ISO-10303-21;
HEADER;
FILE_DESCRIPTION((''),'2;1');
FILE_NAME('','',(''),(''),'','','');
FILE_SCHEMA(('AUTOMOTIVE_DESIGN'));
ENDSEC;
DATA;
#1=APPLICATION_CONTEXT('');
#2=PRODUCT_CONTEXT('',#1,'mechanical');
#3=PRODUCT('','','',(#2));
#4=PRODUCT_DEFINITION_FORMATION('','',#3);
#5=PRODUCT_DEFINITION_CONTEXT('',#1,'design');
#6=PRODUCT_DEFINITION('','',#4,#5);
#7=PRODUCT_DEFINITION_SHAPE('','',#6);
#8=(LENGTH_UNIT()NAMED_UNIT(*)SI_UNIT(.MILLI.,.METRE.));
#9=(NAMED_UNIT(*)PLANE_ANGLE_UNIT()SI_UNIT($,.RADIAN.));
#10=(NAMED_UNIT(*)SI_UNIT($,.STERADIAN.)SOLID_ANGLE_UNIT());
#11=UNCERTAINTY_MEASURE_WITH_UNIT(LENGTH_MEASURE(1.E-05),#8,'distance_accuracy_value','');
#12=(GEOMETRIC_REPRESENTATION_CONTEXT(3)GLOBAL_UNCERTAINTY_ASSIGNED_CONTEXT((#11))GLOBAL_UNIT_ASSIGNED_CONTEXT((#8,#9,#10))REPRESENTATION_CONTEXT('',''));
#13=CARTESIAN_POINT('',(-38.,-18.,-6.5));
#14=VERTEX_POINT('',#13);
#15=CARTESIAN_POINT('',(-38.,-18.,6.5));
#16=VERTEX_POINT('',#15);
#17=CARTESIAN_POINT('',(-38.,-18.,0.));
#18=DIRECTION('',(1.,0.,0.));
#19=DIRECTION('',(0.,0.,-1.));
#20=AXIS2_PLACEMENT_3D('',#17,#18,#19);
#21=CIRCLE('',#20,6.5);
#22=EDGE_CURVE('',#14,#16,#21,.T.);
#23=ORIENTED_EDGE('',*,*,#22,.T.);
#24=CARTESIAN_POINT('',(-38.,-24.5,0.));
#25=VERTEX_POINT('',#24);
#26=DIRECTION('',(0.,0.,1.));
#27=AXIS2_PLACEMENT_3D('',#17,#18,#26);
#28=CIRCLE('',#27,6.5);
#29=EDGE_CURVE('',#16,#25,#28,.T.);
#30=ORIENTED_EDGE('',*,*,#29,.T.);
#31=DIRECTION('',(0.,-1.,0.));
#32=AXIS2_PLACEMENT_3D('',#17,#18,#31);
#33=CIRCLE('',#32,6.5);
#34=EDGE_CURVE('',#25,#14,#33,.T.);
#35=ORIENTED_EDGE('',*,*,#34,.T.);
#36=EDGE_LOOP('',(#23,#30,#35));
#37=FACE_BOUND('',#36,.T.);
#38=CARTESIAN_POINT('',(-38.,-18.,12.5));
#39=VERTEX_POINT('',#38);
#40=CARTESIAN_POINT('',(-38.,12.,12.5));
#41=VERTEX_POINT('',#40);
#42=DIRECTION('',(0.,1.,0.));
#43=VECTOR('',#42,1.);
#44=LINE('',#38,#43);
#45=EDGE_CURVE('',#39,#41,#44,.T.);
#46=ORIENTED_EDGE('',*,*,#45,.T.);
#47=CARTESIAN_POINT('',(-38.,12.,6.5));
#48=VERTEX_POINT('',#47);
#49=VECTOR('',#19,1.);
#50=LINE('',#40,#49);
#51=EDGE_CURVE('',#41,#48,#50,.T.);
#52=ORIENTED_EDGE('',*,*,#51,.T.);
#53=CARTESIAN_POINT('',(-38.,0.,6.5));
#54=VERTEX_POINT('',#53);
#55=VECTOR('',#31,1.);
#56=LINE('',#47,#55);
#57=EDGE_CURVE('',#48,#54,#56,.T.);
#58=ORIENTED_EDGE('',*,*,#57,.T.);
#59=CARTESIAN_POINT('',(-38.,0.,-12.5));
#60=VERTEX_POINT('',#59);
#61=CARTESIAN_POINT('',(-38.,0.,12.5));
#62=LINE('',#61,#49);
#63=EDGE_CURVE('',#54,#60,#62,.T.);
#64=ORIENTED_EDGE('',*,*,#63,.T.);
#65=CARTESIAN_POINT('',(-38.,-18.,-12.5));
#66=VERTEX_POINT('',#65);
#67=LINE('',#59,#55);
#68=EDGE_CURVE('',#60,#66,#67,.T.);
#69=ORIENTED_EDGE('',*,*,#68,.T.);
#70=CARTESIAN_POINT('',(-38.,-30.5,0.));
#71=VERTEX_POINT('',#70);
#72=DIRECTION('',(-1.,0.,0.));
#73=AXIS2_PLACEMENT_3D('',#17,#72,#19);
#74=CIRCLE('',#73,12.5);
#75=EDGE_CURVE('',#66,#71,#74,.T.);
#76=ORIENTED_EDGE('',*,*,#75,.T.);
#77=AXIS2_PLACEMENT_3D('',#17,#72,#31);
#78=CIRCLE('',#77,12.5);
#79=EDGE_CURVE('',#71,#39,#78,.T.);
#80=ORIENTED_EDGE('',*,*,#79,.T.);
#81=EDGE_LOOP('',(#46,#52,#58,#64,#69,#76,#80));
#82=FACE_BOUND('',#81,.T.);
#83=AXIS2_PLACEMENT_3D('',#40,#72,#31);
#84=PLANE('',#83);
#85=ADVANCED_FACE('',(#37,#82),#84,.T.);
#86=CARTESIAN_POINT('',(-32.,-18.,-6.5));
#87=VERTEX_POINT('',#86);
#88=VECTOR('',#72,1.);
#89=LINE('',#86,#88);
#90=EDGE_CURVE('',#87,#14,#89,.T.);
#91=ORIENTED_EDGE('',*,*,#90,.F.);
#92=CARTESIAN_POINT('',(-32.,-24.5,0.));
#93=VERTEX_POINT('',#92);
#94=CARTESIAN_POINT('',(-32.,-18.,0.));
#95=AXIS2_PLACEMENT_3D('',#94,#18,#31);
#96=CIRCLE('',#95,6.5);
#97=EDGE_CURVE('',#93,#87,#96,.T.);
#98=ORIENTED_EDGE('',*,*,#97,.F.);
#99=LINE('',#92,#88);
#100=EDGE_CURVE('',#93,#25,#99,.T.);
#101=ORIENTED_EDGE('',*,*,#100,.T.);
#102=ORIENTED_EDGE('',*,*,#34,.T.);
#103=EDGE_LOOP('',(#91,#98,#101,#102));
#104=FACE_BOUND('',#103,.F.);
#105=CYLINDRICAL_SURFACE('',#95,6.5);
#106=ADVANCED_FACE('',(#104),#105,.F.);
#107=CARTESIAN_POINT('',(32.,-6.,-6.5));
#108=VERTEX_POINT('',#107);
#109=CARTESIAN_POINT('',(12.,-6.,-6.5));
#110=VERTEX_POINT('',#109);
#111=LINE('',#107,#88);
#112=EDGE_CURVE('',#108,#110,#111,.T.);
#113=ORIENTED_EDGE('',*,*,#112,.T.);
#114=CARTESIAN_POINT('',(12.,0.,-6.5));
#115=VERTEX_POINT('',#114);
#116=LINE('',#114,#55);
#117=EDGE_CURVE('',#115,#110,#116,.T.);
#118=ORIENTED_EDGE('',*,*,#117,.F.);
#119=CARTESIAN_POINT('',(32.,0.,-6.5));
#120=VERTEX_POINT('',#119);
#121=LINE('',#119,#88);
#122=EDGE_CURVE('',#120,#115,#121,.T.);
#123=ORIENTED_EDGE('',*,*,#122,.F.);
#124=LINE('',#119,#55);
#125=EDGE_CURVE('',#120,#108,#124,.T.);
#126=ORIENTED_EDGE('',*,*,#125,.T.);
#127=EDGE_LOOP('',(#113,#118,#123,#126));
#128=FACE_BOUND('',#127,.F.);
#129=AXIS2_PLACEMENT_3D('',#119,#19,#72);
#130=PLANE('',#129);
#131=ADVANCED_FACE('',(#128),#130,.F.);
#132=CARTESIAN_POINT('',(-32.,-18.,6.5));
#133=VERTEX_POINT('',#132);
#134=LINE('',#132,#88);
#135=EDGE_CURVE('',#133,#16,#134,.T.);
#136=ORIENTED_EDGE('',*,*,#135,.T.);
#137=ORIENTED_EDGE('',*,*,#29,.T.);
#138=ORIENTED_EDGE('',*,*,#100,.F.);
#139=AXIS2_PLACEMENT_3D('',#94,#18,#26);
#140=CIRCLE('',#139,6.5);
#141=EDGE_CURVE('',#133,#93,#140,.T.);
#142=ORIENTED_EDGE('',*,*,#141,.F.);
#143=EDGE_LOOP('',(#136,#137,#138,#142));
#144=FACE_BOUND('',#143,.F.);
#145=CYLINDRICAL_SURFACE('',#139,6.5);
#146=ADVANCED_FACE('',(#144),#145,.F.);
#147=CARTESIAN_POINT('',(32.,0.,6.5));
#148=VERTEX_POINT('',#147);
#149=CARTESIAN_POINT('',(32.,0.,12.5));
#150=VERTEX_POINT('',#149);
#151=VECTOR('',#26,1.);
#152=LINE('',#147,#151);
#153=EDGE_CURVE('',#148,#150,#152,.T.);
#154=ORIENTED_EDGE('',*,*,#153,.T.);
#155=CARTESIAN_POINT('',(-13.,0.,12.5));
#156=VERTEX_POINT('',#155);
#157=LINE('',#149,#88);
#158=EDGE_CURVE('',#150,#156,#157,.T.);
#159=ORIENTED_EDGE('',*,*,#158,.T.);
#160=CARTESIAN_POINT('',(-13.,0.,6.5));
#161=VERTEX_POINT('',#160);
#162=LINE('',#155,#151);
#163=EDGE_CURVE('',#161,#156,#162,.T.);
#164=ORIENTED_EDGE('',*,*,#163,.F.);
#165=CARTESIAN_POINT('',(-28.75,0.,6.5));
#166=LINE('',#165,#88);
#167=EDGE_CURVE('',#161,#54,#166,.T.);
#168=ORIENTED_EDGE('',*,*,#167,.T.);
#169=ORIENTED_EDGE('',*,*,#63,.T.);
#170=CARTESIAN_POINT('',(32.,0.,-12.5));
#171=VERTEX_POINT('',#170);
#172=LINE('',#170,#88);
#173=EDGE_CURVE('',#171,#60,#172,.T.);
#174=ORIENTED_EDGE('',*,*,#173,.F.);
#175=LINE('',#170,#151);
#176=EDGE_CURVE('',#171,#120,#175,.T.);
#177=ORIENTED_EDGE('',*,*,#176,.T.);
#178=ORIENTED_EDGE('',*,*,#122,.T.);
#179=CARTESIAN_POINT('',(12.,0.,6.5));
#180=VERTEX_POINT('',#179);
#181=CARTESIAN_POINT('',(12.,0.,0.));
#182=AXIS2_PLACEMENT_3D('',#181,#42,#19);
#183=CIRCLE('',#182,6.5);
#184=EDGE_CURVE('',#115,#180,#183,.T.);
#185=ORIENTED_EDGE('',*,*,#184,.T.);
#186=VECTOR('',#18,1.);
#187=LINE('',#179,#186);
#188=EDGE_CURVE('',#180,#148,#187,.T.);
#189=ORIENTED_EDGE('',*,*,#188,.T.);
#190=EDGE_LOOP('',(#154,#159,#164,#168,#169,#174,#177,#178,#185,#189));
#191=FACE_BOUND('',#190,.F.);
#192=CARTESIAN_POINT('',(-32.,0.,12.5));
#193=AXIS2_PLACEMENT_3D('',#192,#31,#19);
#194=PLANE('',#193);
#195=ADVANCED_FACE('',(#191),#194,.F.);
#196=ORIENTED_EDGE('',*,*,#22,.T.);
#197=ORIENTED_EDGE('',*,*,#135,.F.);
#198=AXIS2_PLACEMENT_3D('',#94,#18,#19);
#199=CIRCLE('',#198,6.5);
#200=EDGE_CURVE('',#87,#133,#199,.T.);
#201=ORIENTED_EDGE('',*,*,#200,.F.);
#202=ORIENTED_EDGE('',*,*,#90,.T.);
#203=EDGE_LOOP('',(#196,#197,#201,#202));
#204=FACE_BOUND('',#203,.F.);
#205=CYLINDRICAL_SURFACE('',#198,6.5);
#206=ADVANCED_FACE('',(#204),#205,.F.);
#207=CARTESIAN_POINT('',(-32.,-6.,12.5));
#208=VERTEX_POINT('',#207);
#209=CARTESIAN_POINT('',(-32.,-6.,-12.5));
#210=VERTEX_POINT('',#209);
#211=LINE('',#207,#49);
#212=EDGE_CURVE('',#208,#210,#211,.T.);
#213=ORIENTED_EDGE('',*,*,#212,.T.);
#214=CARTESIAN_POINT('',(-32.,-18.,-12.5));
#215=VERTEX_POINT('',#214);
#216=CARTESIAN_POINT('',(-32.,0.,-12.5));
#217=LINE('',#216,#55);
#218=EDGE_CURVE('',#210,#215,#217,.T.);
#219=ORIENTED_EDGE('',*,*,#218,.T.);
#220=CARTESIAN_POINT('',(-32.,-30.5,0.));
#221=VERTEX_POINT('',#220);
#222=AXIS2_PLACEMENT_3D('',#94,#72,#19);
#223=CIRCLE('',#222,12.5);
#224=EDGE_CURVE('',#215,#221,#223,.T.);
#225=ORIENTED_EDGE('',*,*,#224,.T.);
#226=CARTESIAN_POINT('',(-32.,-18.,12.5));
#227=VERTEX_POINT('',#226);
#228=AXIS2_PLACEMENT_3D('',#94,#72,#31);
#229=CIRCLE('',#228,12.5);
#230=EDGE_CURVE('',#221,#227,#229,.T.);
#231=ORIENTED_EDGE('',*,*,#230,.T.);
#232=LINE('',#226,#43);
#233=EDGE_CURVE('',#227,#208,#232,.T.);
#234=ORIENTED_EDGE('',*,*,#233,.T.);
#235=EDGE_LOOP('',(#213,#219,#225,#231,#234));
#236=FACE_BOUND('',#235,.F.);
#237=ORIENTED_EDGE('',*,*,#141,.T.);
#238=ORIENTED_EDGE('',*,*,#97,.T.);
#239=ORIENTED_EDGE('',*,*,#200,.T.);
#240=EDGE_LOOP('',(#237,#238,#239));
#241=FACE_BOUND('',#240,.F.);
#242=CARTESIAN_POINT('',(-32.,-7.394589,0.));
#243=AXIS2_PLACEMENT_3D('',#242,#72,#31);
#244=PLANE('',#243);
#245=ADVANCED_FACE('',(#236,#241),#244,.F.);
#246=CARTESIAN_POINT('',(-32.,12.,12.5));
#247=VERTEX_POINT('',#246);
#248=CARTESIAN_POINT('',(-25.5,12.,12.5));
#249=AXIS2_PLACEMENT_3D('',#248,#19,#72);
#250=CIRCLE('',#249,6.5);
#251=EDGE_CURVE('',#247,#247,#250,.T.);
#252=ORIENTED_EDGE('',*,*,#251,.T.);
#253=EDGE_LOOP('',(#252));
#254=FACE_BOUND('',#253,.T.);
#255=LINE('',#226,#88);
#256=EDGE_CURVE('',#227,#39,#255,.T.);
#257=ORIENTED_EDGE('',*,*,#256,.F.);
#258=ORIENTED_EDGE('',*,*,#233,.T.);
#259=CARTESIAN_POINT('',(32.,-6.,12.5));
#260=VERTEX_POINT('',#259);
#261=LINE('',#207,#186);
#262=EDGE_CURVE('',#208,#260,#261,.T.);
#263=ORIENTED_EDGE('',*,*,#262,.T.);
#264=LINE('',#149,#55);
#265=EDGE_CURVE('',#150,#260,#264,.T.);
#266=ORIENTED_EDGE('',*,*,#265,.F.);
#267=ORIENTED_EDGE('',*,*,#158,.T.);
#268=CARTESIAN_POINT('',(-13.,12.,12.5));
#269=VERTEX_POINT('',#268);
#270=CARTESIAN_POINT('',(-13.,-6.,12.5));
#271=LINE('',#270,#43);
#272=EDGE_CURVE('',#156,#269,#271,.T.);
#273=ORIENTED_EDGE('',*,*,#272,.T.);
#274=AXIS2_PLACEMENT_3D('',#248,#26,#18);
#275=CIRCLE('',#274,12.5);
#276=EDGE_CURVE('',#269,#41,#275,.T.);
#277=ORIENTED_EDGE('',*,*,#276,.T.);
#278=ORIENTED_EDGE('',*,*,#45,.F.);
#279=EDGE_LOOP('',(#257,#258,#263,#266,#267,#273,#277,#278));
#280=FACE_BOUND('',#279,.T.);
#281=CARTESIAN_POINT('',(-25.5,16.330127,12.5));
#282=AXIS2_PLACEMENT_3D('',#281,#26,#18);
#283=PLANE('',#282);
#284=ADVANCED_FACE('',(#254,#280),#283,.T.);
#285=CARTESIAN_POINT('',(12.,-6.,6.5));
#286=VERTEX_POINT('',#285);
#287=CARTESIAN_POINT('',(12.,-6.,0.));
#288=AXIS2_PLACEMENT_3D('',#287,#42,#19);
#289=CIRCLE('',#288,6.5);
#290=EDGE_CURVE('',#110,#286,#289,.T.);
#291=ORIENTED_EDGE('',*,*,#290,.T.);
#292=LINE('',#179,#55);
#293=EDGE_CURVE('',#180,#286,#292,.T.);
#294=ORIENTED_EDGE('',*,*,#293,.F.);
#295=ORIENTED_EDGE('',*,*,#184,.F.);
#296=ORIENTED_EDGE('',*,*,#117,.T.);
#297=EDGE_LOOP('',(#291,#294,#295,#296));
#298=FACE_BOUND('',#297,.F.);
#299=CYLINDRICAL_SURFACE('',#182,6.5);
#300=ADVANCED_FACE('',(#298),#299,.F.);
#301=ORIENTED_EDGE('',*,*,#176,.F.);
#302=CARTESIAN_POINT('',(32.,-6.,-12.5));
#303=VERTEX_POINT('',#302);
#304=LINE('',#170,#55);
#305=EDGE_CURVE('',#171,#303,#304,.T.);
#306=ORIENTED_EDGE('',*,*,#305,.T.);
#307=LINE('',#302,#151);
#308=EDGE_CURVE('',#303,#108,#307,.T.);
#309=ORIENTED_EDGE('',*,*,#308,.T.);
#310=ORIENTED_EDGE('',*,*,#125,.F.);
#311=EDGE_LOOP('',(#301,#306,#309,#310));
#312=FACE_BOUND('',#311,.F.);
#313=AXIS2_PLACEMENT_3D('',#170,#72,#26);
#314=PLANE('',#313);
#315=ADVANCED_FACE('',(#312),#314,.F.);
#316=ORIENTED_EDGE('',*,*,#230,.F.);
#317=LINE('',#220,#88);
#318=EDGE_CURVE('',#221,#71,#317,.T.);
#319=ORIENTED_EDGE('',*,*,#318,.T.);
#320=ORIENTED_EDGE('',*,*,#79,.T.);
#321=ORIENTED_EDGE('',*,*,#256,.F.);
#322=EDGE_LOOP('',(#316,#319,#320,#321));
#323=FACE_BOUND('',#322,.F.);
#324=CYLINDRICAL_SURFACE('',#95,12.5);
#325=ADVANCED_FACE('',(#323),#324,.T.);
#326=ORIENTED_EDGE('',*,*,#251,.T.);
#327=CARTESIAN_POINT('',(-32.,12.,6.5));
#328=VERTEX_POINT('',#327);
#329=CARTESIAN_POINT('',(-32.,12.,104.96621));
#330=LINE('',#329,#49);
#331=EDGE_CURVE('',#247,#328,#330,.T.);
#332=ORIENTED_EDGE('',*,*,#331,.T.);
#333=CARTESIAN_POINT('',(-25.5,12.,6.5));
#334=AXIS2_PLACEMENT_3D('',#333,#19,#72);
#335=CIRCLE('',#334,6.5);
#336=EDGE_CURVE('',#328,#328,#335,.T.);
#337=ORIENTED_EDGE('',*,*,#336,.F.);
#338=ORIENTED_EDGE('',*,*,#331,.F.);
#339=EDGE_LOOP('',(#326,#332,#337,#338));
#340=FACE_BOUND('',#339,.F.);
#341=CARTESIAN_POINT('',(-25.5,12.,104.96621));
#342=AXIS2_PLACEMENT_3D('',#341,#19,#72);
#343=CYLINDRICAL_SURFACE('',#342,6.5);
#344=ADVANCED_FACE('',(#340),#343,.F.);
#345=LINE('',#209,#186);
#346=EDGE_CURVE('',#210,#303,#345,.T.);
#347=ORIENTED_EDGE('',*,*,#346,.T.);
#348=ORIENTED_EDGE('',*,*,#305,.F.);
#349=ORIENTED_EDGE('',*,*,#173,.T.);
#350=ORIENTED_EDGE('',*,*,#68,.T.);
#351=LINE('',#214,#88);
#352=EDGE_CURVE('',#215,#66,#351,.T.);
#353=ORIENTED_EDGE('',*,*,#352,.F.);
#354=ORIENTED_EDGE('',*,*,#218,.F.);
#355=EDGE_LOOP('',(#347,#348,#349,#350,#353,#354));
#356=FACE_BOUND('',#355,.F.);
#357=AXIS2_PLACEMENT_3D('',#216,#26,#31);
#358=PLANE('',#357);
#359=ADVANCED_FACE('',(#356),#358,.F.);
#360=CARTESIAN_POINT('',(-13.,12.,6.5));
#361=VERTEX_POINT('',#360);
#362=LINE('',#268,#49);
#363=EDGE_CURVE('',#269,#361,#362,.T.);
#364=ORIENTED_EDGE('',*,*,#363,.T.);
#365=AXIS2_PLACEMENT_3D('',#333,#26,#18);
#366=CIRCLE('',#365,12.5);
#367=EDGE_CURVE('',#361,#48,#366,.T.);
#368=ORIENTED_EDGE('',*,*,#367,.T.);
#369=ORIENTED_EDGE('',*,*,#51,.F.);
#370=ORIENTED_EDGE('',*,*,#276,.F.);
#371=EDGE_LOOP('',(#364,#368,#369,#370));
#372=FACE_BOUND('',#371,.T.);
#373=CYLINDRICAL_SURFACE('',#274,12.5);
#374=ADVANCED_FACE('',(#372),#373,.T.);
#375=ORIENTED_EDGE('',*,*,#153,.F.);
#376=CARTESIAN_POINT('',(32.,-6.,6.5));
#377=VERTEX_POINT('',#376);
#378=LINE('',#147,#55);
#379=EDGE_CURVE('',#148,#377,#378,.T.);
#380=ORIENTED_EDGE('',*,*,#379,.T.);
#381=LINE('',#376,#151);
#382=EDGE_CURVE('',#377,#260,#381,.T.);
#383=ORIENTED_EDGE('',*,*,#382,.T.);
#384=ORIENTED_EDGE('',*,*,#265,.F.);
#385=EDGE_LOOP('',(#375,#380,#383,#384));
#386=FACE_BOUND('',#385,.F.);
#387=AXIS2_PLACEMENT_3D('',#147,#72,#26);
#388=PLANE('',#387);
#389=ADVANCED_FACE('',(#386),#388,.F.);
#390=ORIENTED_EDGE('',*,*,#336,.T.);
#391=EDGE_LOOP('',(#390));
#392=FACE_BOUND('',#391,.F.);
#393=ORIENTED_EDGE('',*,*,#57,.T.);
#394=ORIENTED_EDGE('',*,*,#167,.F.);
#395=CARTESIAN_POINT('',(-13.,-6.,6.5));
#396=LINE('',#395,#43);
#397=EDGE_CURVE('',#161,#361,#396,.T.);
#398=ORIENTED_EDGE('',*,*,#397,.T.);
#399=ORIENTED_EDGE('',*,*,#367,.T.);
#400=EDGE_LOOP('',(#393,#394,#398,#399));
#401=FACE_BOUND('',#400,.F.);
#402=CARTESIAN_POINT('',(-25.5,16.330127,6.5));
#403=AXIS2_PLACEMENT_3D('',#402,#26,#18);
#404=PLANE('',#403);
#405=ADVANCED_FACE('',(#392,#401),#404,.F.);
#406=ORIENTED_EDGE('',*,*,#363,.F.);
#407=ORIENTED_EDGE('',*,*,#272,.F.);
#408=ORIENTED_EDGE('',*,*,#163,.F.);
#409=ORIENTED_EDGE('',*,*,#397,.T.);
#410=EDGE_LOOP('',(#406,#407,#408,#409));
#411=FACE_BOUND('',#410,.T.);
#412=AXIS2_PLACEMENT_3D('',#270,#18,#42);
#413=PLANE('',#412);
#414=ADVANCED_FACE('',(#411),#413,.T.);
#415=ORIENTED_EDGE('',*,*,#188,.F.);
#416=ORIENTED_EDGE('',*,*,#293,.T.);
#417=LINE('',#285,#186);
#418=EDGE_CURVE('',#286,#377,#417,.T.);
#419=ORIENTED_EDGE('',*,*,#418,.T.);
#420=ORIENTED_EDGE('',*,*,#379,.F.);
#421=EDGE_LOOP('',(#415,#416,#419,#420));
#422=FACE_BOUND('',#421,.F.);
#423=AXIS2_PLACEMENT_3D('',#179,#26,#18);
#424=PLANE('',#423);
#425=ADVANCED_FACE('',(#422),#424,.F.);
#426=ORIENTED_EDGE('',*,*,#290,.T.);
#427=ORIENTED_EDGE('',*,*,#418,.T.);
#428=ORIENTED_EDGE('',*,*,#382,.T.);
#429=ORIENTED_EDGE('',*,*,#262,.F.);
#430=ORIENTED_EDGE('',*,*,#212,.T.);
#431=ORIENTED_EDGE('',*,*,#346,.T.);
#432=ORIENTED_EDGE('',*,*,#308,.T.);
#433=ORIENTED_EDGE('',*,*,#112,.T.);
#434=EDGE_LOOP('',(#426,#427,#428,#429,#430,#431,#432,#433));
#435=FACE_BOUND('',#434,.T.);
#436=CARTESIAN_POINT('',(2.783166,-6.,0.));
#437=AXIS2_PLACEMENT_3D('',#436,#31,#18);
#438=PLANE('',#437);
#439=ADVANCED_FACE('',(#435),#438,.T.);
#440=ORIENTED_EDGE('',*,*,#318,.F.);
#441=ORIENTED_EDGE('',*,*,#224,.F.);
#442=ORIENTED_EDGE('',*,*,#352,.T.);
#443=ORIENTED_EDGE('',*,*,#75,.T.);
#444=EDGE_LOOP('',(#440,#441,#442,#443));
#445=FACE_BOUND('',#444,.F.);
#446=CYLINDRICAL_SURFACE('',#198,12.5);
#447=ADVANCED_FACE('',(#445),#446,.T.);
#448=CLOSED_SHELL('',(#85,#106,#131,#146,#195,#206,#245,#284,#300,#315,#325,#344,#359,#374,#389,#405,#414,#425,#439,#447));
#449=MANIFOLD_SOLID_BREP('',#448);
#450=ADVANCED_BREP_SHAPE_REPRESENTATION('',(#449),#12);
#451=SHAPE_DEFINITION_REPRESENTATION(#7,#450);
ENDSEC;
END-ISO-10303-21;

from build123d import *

# Parameters (mm, degrees)
F1_DEPTH = 6
F3_DEPTH = 6
F4_W     = 25
F4_H     = 12
F5_DEPTH = 6
F6_D     = 13


with BuildPart() as f1:
    # F0 (on Front) → F1 (new body)
    with BuildSketch(Plane.XZ):
        with BuildLine():
            Line((32, 6.5), (32, 12.5))
            Line((32, 12.5), (-32, 12.5))
            Line((-32, 12.5), (-32, -12.5))
            Line((-32, -12.5), (32, -12.5))
            Line((32, -12.5), (32, -6.5))
            Line((32, -6.5), (12, -6.5))
            ThreePointArc((12, -6.5), (5.5, 0), (12, 6.5))
            Line((12, 6.5), (32, 6.5))
        make_face()
    extrude(amount=F1_DEPTH)

    # F2 (on face) → F3 (join)
    with BuildSketch(Plane(origin=(-32, 0, 0), x_dir=(0, -1, 0), z_dir=(-1, 0, 0))):
        with BuildLine():
            Line((18, 12.5), (0, 12.5))
            Line((0, 12.5), (0, -12.5))
            Line((0, -12.5), (18, -12.5))
            ThreePointArc((18, -12.5), (5.5, 0), (18, 12.5))
        make_face()
        with BuildLine():
            ThreePointArc((30.5, 0), (26.8388347648, 8.8388347648), (18, 12.5))
            Line((18, 12.5), (18, 6.5))
            ThreePointArc((18, 6.5), (22.5961940777, 4.5961940777), (24.5, 0))
            ThreePointArc((24.5, 0), (22.5961940777, -4.5961940777), (18, -6.5))
            Line((18, -6.5), (18, -12.5))
            ThreePointArc((18, -12.5), (26.8388347648, -8.8388347648), (30.5, 0))
        make_face()
        with BuildLine():
            Line((18, 6.5), (18, 12.5))
            ThreePointArc((18, 12.5), (5.5, 0), (18, -12.5))
            Line((18, -12.5), (18, -6.5))
            ThreePointArc((18, -6.5), (11.5, 0), (18, 6.5))
        make_face()
    extrude(amount=F3_DEPTH)

    # F4 (on face) → F5 (join)
    with BuildSketch(Plane.XY.offset(12.5)):
        with BuildLine():
            ThreePointArc((-13, 12), (-25.5, 24.5), (-38, 12))
            Line((-38, 12), (-13, 12))
        make_face()
        Polygon((-38, 0), (-38, -6), (-32, -6), (-13, -6), (-13, 0), align=None)
        with Locations((-25.5, 6)):
            Rectangle(F4_W, F4_H)
    extrude(amount=-F5_DEPTH)

    # F6 (through all)
    with Locations(Plane.XY.offset(12.5)):
        with Locations((-25.5, 12)):
            Hole(F6_D / 2)


solid = f1.part
